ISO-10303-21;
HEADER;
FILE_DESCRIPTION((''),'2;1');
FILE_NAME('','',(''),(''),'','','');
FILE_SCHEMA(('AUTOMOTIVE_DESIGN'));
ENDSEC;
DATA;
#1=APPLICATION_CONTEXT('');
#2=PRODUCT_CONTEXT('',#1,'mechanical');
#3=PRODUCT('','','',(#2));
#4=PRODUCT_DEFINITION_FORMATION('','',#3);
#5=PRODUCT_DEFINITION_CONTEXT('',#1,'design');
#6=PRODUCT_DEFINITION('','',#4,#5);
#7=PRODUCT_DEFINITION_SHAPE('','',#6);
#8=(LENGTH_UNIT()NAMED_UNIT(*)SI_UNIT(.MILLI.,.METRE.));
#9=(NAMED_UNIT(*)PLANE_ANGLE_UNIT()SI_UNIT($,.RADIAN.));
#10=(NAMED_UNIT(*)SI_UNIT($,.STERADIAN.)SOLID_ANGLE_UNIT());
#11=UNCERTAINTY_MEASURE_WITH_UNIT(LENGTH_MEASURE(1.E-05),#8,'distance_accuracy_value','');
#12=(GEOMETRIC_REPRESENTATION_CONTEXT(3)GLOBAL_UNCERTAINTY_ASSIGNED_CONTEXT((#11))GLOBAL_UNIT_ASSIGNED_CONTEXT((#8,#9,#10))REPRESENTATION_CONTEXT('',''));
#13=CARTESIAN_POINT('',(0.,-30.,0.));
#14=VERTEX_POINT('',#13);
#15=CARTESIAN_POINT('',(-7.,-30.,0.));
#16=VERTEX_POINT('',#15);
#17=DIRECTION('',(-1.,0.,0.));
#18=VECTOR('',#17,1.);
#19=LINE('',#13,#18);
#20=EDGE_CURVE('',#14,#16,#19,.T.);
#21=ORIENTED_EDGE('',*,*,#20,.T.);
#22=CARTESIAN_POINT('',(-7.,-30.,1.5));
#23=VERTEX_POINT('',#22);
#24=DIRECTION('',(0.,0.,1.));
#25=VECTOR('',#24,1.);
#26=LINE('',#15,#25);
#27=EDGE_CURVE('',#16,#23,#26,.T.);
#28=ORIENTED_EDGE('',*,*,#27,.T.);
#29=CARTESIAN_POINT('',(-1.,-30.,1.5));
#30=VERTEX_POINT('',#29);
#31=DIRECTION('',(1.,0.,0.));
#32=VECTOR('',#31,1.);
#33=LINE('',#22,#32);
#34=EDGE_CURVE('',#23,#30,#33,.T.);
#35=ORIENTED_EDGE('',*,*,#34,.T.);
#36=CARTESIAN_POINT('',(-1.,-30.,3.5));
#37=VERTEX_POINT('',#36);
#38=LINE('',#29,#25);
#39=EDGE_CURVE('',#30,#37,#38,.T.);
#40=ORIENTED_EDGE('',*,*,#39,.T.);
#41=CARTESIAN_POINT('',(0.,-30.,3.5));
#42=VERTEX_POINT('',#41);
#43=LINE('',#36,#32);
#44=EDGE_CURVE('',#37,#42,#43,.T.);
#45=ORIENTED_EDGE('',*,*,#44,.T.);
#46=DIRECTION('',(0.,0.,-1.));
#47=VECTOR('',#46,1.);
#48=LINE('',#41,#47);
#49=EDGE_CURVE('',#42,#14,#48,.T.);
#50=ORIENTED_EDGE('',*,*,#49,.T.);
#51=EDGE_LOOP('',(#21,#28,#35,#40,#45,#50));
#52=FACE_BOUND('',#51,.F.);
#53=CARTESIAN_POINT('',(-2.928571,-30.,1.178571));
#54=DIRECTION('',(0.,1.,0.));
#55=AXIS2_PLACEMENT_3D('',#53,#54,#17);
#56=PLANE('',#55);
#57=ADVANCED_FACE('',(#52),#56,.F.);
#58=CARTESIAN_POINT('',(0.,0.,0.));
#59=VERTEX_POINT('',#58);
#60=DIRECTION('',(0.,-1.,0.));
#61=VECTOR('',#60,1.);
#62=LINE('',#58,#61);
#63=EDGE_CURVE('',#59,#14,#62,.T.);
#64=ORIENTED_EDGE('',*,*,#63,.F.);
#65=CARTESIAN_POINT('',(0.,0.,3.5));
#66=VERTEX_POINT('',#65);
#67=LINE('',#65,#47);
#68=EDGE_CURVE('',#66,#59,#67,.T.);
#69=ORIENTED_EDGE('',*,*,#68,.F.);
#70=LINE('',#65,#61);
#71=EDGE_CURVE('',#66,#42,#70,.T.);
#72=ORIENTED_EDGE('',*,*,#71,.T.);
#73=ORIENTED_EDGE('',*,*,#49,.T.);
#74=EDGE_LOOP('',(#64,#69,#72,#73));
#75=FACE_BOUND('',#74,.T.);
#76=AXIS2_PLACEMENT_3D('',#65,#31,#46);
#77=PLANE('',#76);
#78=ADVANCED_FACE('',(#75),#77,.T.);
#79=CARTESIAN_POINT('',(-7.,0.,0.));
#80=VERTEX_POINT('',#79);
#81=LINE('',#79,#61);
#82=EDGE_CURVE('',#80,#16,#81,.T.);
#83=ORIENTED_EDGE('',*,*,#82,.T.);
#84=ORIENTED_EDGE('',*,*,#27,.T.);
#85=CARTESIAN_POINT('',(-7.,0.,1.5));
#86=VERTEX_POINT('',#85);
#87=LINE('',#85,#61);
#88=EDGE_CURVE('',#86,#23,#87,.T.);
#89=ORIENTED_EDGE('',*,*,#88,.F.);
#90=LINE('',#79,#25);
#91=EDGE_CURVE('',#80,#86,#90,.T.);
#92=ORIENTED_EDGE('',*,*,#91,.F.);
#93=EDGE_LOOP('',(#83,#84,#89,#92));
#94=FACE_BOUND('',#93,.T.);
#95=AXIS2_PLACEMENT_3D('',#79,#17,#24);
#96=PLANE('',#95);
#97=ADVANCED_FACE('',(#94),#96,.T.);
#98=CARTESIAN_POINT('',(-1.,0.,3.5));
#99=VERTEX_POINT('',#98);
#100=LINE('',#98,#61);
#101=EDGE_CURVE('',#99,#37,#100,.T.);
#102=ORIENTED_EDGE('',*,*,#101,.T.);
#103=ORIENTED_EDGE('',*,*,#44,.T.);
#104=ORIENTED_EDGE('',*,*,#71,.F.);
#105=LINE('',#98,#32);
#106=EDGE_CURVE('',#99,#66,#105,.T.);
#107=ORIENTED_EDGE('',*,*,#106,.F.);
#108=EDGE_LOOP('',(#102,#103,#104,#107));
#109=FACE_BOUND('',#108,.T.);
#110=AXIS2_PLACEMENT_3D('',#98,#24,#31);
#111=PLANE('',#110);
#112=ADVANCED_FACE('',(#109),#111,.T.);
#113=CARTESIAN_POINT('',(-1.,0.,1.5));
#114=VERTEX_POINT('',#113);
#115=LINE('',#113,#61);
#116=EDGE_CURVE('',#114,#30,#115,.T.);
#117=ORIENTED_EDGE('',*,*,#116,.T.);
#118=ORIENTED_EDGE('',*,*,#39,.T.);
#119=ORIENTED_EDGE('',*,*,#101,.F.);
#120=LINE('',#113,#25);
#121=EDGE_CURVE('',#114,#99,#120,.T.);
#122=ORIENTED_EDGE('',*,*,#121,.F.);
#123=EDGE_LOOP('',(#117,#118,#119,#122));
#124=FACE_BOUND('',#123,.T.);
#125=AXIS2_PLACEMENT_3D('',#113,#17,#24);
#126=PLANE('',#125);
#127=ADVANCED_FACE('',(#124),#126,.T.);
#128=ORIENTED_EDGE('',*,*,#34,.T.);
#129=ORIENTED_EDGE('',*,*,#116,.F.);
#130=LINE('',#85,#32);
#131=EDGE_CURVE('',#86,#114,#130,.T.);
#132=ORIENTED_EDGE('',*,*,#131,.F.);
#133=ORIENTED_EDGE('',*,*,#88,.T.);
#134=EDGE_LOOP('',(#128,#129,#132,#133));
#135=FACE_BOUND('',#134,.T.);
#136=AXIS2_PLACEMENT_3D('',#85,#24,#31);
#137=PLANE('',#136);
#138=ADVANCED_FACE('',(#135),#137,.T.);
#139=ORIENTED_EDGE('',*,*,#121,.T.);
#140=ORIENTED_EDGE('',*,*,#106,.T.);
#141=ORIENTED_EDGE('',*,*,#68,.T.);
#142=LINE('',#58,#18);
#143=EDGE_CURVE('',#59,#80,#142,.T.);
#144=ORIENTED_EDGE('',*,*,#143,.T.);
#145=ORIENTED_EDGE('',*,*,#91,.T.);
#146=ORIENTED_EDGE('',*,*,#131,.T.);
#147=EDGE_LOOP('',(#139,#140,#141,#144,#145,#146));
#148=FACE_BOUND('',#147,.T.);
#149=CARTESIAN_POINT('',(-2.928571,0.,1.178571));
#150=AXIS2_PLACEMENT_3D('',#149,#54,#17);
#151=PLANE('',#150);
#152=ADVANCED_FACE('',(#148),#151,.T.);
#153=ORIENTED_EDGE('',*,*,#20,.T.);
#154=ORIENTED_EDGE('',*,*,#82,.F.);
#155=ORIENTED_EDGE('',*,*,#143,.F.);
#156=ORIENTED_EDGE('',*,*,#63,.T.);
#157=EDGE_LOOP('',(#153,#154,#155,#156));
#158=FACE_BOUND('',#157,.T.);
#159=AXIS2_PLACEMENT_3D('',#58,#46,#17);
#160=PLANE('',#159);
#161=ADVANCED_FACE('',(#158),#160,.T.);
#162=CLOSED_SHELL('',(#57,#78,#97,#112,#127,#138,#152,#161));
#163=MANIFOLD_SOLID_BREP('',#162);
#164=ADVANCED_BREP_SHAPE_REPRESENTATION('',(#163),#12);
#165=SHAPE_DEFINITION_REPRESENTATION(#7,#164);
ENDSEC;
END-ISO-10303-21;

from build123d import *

# Parameters (mm, degrees)
PAD_DEPTH = 30


with BuildPart() as part:
    # Sketch → Pad (new body)
    with BuildSketch(Plane.XZ):
        Polygon((0, 0), (-7, 0), (-7, 1.5), (-1, 1.5), (-1, 3.5), (0, 3.5), align=None)
    extrude(amount=PAD_DEPTH)


solid = part.part
